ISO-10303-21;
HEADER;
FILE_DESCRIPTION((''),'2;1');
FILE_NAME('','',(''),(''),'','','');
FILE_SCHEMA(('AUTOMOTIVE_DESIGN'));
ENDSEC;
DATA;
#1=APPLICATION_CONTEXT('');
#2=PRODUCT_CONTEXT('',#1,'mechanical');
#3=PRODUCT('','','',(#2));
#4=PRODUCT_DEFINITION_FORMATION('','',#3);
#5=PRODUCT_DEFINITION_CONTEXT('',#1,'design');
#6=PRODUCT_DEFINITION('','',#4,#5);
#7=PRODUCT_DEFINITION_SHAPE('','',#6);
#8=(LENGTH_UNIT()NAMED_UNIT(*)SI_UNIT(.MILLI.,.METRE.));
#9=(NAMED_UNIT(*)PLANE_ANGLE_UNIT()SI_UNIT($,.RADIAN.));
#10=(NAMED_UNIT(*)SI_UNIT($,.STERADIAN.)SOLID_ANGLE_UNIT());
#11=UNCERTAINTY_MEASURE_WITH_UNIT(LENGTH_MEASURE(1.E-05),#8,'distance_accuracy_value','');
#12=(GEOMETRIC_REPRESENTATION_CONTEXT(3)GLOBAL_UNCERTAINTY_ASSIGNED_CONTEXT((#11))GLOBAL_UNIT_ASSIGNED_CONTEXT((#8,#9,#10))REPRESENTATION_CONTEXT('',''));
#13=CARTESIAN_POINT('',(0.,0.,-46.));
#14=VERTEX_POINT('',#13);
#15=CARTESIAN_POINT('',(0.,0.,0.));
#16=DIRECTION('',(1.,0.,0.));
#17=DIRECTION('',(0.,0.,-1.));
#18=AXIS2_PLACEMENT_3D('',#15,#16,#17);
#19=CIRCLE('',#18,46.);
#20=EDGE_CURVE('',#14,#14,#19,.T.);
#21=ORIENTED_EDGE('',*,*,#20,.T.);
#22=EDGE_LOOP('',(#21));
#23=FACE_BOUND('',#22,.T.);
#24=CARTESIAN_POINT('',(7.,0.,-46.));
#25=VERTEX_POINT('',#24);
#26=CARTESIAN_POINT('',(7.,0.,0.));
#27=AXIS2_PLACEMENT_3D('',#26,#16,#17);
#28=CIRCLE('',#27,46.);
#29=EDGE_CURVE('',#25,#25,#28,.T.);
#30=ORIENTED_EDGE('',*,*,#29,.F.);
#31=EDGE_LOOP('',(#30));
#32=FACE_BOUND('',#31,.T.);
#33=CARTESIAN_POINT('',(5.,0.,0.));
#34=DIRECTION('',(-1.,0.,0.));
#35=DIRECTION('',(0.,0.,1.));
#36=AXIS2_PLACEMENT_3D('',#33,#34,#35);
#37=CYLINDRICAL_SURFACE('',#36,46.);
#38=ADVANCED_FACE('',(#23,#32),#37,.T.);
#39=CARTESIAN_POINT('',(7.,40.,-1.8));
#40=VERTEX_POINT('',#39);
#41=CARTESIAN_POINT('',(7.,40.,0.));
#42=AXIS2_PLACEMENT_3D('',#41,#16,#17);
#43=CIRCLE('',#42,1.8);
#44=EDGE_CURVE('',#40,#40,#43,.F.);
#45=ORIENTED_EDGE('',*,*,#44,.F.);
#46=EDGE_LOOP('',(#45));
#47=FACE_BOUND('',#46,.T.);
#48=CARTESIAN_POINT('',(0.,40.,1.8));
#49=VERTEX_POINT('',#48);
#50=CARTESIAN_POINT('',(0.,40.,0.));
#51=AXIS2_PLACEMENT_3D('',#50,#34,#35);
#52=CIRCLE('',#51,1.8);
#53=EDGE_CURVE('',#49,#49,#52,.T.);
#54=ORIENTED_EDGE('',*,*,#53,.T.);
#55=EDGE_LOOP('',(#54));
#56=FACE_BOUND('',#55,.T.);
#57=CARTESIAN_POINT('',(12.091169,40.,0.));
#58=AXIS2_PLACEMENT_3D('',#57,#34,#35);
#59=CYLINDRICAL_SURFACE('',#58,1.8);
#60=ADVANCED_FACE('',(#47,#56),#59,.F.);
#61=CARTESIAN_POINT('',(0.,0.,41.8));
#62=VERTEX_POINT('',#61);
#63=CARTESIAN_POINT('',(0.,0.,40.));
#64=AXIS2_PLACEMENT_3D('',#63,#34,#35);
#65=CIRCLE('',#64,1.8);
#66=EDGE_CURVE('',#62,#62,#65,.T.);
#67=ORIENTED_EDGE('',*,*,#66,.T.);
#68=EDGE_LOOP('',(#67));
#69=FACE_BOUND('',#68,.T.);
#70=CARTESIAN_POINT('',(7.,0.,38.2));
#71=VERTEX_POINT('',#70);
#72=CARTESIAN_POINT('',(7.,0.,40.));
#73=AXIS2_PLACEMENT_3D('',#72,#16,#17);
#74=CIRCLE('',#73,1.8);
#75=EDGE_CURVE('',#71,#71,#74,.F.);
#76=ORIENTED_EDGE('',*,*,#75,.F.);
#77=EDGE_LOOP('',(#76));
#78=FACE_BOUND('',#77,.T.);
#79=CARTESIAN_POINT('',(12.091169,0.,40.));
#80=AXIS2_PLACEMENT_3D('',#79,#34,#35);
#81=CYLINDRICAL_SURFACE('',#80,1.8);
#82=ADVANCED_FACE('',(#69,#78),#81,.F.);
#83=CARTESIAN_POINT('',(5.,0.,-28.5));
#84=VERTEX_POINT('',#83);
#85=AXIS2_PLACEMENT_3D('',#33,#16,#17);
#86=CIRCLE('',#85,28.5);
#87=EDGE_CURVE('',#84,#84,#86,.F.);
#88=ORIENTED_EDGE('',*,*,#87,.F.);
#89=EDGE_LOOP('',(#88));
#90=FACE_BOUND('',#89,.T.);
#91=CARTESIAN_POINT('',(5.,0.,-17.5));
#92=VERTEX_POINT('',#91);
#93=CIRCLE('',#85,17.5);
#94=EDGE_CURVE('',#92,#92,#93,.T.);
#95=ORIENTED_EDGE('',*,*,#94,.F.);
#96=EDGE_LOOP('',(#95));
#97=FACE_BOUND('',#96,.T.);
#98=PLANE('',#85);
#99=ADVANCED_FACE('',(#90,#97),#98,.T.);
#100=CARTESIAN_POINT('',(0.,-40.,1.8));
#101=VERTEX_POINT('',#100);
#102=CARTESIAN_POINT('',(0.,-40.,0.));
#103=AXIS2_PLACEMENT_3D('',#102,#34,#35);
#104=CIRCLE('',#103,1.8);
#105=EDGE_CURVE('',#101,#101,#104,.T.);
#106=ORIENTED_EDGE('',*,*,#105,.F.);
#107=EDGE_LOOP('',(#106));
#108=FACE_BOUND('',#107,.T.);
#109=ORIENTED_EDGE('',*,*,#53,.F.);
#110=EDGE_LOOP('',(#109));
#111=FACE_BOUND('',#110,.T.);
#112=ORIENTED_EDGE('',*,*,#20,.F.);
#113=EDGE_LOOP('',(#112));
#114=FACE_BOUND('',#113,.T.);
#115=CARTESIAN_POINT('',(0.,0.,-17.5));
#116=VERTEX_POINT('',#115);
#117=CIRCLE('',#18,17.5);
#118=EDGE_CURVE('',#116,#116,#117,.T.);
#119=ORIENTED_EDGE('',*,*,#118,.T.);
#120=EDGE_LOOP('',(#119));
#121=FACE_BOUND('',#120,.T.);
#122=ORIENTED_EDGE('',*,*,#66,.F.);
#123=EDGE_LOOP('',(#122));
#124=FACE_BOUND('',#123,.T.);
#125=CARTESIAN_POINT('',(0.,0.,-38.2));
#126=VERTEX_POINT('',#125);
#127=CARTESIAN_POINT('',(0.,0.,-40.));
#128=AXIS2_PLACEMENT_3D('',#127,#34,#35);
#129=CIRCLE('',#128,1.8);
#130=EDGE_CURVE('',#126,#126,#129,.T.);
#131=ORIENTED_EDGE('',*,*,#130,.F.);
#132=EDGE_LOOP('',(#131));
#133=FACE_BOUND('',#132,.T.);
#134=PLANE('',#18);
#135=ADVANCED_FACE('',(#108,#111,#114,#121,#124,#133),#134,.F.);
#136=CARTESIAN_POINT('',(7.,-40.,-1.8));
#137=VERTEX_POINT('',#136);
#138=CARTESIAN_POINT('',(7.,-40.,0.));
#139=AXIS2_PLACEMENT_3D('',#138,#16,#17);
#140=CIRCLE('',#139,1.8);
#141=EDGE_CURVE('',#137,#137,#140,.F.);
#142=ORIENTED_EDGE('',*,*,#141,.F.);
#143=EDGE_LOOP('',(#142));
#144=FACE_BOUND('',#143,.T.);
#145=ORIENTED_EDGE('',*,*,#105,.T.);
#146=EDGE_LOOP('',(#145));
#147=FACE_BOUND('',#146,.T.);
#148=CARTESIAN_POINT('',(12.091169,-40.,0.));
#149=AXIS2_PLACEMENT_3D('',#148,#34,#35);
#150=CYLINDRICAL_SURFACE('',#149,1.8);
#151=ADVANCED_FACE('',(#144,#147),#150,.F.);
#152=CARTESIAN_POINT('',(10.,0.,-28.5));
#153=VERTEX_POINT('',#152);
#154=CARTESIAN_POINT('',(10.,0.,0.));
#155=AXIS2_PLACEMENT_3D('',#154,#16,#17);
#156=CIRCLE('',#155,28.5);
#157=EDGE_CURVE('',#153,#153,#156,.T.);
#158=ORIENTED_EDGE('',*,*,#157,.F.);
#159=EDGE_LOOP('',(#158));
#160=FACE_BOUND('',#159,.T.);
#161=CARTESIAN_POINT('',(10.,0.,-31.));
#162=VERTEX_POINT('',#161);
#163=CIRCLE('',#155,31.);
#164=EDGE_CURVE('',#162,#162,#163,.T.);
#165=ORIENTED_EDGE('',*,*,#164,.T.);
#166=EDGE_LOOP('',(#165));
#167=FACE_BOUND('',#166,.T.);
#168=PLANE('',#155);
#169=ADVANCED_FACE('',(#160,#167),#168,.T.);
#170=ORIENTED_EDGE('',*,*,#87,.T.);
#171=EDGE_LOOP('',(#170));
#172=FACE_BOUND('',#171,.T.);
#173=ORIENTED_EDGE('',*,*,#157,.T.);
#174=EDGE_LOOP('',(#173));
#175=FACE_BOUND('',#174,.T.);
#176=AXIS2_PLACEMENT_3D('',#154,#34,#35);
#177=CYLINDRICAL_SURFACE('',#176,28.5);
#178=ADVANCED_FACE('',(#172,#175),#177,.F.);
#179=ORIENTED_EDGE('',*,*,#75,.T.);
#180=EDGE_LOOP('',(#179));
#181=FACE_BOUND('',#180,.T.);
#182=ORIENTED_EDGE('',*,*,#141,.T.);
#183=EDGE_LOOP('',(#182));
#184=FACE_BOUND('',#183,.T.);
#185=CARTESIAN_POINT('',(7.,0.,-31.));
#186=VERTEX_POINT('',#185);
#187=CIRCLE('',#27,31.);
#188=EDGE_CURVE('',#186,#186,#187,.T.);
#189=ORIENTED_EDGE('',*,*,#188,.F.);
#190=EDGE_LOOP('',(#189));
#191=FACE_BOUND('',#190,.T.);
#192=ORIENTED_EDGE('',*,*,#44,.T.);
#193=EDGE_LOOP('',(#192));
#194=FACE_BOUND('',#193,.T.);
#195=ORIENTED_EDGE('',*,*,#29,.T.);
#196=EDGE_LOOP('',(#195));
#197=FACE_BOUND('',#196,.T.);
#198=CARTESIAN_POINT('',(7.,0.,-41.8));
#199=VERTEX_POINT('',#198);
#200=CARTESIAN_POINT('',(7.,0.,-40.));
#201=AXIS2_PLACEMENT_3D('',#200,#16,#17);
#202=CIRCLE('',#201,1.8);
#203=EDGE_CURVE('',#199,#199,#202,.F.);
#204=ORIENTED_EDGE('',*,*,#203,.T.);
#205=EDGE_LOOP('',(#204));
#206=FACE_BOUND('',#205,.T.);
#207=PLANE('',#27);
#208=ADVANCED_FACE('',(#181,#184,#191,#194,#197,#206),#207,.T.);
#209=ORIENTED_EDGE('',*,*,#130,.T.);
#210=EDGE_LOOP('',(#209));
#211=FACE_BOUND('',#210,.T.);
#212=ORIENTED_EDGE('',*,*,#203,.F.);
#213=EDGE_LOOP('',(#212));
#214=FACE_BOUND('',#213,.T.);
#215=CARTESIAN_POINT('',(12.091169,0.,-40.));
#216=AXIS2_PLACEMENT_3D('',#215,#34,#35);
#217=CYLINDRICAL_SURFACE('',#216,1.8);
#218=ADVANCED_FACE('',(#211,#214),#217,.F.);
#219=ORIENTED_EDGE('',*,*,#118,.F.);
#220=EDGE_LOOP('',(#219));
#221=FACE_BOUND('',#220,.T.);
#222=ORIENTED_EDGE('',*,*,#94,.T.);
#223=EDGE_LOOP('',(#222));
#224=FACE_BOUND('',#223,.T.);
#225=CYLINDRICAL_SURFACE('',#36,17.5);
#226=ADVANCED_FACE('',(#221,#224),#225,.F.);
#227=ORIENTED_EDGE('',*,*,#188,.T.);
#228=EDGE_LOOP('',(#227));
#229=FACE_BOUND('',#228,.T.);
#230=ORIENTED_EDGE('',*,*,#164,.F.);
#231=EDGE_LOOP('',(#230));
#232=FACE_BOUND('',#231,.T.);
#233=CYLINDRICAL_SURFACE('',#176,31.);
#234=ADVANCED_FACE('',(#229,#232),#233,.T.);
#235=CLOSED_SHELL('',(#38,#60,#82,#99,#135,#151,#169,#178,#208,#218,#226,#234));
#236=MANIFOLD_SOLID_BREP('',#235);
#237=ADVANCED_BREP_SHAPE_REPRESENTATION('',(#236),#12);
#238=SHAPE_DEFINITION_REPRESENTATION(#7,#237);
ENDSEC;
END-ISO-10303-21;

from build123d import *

# Parameters (mm, degrees)
SKETCH_1_R          = 46
SKETCH_1_R_2        = 17.5
EXTRUDE_1_DEPTH     = 5
SKETCH_2_R          = 31
SKETCH_2_R_2        = 28.5
EXTRUDE_2_DEPTH     = 5
SKETCH_4_R          = 46
SKETCH_4_R_2        = 31
EXTRUDE_3_DEPTH     = 2
SKETCH_5_R          = 1.8
CUT_EXTRUDE_1_DEPTH = 7


with BuildPart() as part:
    # 草图1 → 凸台-拉伸1 (new body)
    with BuildSketch(Plane(origin=(0, 0, 0), x_dir=(0, 0, -1), z_dir=(1, 0, 0))):
        Circle(SKETCH_1_R)
        Circle(SKETCH_1_R_2, mode=Mode.SUBTRACT)
    extrude(amount=EXTRUDE_1_DEPTH)

    # 草图2 → 凸台-拉伸2 (add)
    with BuildSketch(Plane(origin=(5, 0, 0), x_dir=(0, 0, -1), z_dir=(1, 0, 0))):
        Circle(SKETCH_2_R)
        Circle(SKETCH_2_R_2, mode=Mode.SUBTRACT)
    extrude(amount=EXTRUDE_2_DEPTH)

    # 草图4 → 凸台-拉伸3 (add)
    with BuildSketch(Plane(origin=(5, 0, 0), x_dir=(0, 0, -1), z_dir=(1, 0, 0))):
        Circle(SKETCH_4_R)
        Circle(SKETCH_4_R_2, mode=Mode.SUBTRACT)
    extrude(amount=EXTRUDE_3_DEPTH)

    # 草图5 → 切除-拉伸1 (cut)
    with BuildSketch(Plane.ZY):
        with Locations((0, 40)):
            Circle(SKETCH_5_R)
        with Locations((40, 0)):
            Circle(SKETCH_5_R)
        with Locations((0, -40)):
            Circle(SKETCH_5_R)
        with Locations((-40, 0)):
            Circle(SKETCH_5_R)
    extrude(amount=-CUT_EXTRUDE_1_DEPTH, mode=Mode.SUBTRACT)


solid = part.part
